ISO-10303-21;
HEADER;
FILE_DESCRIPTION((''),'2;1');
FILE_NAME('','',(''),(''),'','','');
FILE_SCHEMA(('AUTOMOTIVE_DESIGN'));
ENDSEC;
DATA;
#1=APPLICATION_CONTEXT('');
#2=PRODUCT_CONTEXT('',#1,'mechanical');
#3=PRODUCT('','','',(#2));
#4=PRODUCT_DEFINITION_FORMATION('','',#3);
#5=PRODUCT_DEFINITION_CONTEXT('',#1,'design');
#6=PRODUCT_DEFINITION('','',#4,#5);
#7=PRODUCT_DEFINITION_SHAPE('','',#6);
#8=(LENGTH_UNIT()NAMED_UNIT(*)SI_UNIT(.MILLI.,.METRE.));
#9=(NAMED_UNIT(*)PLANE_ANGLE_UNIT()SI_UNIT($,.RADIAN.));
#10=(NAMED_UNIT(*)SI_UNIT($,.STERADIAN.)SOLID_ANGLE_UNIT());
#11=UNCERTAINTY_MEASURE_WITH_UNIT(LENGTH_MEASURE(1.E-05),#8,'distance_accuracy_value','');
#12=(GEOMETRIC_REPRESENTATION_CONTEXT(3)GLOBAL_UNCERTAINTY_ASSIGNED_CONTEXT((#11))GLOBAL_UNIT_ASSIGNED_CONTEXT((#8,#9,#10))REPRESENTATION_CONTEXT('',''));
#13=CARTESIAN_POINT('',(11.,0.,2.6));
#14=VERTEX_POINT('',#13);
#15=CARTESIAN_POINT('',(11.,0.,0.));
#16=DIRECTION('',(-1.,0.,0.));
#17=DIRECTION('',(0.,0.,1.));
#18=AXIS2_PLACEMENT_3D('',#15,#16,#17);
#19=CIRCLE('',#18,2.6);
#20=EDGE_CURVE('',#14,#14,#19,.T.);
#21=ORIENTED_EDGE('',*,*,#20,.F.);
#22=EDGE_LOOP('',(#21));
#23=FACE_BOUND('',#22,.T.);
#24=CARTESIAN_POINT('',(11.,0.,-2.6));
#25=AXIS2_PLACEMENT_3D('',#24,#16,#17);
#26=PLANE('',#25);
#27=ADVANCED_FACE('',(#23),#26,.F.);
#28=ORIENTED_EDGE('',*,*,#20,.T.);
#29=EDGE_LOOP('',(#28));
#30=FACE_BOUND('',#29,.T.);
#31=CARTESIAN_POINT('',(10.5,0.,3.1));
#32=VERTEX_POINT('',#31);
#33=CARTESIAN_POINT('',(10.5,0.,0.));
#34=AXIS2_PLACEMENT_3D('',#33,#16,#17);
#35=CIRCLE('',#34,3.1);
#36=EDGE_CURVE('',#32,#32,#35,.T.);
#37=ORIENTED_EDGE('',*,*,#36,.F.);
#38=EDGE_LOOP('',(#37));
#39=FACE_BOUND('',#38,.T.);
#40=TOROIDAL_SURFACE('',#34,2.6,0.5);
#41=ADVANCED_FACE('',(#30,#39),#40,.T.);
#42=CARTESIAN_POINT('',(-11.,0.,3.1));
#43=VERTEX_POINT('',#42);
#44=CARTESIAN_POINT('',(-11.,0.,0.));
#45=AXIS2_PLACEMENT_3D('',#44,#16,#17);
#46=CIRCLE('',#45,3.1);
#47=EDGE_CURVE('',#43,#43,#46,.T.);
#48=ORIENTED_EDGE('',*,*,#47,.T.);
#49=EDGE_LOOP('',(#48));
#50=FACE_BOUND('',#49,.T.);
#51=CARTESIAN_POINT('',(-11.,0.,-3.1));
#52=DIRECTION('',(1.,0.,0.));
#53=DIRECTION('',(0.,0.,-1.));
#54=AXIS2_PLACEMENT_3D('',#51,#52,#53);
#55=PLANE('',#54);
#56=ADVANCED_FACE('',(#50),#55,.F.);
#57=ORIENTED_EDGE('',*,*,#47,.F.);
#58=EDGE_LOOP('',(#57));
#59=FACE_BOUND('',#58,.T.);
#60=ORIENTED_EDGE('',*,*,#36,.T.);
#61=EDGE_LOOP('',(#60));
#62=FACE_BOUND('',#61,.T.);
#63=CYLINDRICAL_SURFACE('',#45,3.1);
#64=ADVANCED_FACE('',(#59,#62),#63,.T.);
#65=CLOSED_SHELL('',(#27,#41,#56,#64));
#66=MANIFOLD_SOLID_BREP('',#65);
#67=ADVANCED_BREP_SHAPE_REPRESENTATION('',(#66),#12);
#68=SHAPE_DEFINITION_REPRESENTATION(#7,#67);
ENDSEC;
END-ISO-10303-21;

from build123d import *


with BuildPart() as part:
    # Sketch1 → Revolve1 (revolve)
    with BuildSketch(Plane(origin=(0, 0, 0), x_dir=(1, 0, 0), z_dir=(0, 1, 0))):
        with BuildLine():
            Line((-11, 3.1), (10.5, 3.1))
            ThreePointArc((10.5, 3.1), (10.853553391, 2.953553391), (11, 2.6))
            Line((11, 2.6), (11, 0))
            Line((11, 0), (-11, 0))
            Line((-11, 0), (-11, 3.1))
        make_face()
    revolve(axis=Axis((-11, 0, 0), (1, 0, 0)))


solid = part.part
